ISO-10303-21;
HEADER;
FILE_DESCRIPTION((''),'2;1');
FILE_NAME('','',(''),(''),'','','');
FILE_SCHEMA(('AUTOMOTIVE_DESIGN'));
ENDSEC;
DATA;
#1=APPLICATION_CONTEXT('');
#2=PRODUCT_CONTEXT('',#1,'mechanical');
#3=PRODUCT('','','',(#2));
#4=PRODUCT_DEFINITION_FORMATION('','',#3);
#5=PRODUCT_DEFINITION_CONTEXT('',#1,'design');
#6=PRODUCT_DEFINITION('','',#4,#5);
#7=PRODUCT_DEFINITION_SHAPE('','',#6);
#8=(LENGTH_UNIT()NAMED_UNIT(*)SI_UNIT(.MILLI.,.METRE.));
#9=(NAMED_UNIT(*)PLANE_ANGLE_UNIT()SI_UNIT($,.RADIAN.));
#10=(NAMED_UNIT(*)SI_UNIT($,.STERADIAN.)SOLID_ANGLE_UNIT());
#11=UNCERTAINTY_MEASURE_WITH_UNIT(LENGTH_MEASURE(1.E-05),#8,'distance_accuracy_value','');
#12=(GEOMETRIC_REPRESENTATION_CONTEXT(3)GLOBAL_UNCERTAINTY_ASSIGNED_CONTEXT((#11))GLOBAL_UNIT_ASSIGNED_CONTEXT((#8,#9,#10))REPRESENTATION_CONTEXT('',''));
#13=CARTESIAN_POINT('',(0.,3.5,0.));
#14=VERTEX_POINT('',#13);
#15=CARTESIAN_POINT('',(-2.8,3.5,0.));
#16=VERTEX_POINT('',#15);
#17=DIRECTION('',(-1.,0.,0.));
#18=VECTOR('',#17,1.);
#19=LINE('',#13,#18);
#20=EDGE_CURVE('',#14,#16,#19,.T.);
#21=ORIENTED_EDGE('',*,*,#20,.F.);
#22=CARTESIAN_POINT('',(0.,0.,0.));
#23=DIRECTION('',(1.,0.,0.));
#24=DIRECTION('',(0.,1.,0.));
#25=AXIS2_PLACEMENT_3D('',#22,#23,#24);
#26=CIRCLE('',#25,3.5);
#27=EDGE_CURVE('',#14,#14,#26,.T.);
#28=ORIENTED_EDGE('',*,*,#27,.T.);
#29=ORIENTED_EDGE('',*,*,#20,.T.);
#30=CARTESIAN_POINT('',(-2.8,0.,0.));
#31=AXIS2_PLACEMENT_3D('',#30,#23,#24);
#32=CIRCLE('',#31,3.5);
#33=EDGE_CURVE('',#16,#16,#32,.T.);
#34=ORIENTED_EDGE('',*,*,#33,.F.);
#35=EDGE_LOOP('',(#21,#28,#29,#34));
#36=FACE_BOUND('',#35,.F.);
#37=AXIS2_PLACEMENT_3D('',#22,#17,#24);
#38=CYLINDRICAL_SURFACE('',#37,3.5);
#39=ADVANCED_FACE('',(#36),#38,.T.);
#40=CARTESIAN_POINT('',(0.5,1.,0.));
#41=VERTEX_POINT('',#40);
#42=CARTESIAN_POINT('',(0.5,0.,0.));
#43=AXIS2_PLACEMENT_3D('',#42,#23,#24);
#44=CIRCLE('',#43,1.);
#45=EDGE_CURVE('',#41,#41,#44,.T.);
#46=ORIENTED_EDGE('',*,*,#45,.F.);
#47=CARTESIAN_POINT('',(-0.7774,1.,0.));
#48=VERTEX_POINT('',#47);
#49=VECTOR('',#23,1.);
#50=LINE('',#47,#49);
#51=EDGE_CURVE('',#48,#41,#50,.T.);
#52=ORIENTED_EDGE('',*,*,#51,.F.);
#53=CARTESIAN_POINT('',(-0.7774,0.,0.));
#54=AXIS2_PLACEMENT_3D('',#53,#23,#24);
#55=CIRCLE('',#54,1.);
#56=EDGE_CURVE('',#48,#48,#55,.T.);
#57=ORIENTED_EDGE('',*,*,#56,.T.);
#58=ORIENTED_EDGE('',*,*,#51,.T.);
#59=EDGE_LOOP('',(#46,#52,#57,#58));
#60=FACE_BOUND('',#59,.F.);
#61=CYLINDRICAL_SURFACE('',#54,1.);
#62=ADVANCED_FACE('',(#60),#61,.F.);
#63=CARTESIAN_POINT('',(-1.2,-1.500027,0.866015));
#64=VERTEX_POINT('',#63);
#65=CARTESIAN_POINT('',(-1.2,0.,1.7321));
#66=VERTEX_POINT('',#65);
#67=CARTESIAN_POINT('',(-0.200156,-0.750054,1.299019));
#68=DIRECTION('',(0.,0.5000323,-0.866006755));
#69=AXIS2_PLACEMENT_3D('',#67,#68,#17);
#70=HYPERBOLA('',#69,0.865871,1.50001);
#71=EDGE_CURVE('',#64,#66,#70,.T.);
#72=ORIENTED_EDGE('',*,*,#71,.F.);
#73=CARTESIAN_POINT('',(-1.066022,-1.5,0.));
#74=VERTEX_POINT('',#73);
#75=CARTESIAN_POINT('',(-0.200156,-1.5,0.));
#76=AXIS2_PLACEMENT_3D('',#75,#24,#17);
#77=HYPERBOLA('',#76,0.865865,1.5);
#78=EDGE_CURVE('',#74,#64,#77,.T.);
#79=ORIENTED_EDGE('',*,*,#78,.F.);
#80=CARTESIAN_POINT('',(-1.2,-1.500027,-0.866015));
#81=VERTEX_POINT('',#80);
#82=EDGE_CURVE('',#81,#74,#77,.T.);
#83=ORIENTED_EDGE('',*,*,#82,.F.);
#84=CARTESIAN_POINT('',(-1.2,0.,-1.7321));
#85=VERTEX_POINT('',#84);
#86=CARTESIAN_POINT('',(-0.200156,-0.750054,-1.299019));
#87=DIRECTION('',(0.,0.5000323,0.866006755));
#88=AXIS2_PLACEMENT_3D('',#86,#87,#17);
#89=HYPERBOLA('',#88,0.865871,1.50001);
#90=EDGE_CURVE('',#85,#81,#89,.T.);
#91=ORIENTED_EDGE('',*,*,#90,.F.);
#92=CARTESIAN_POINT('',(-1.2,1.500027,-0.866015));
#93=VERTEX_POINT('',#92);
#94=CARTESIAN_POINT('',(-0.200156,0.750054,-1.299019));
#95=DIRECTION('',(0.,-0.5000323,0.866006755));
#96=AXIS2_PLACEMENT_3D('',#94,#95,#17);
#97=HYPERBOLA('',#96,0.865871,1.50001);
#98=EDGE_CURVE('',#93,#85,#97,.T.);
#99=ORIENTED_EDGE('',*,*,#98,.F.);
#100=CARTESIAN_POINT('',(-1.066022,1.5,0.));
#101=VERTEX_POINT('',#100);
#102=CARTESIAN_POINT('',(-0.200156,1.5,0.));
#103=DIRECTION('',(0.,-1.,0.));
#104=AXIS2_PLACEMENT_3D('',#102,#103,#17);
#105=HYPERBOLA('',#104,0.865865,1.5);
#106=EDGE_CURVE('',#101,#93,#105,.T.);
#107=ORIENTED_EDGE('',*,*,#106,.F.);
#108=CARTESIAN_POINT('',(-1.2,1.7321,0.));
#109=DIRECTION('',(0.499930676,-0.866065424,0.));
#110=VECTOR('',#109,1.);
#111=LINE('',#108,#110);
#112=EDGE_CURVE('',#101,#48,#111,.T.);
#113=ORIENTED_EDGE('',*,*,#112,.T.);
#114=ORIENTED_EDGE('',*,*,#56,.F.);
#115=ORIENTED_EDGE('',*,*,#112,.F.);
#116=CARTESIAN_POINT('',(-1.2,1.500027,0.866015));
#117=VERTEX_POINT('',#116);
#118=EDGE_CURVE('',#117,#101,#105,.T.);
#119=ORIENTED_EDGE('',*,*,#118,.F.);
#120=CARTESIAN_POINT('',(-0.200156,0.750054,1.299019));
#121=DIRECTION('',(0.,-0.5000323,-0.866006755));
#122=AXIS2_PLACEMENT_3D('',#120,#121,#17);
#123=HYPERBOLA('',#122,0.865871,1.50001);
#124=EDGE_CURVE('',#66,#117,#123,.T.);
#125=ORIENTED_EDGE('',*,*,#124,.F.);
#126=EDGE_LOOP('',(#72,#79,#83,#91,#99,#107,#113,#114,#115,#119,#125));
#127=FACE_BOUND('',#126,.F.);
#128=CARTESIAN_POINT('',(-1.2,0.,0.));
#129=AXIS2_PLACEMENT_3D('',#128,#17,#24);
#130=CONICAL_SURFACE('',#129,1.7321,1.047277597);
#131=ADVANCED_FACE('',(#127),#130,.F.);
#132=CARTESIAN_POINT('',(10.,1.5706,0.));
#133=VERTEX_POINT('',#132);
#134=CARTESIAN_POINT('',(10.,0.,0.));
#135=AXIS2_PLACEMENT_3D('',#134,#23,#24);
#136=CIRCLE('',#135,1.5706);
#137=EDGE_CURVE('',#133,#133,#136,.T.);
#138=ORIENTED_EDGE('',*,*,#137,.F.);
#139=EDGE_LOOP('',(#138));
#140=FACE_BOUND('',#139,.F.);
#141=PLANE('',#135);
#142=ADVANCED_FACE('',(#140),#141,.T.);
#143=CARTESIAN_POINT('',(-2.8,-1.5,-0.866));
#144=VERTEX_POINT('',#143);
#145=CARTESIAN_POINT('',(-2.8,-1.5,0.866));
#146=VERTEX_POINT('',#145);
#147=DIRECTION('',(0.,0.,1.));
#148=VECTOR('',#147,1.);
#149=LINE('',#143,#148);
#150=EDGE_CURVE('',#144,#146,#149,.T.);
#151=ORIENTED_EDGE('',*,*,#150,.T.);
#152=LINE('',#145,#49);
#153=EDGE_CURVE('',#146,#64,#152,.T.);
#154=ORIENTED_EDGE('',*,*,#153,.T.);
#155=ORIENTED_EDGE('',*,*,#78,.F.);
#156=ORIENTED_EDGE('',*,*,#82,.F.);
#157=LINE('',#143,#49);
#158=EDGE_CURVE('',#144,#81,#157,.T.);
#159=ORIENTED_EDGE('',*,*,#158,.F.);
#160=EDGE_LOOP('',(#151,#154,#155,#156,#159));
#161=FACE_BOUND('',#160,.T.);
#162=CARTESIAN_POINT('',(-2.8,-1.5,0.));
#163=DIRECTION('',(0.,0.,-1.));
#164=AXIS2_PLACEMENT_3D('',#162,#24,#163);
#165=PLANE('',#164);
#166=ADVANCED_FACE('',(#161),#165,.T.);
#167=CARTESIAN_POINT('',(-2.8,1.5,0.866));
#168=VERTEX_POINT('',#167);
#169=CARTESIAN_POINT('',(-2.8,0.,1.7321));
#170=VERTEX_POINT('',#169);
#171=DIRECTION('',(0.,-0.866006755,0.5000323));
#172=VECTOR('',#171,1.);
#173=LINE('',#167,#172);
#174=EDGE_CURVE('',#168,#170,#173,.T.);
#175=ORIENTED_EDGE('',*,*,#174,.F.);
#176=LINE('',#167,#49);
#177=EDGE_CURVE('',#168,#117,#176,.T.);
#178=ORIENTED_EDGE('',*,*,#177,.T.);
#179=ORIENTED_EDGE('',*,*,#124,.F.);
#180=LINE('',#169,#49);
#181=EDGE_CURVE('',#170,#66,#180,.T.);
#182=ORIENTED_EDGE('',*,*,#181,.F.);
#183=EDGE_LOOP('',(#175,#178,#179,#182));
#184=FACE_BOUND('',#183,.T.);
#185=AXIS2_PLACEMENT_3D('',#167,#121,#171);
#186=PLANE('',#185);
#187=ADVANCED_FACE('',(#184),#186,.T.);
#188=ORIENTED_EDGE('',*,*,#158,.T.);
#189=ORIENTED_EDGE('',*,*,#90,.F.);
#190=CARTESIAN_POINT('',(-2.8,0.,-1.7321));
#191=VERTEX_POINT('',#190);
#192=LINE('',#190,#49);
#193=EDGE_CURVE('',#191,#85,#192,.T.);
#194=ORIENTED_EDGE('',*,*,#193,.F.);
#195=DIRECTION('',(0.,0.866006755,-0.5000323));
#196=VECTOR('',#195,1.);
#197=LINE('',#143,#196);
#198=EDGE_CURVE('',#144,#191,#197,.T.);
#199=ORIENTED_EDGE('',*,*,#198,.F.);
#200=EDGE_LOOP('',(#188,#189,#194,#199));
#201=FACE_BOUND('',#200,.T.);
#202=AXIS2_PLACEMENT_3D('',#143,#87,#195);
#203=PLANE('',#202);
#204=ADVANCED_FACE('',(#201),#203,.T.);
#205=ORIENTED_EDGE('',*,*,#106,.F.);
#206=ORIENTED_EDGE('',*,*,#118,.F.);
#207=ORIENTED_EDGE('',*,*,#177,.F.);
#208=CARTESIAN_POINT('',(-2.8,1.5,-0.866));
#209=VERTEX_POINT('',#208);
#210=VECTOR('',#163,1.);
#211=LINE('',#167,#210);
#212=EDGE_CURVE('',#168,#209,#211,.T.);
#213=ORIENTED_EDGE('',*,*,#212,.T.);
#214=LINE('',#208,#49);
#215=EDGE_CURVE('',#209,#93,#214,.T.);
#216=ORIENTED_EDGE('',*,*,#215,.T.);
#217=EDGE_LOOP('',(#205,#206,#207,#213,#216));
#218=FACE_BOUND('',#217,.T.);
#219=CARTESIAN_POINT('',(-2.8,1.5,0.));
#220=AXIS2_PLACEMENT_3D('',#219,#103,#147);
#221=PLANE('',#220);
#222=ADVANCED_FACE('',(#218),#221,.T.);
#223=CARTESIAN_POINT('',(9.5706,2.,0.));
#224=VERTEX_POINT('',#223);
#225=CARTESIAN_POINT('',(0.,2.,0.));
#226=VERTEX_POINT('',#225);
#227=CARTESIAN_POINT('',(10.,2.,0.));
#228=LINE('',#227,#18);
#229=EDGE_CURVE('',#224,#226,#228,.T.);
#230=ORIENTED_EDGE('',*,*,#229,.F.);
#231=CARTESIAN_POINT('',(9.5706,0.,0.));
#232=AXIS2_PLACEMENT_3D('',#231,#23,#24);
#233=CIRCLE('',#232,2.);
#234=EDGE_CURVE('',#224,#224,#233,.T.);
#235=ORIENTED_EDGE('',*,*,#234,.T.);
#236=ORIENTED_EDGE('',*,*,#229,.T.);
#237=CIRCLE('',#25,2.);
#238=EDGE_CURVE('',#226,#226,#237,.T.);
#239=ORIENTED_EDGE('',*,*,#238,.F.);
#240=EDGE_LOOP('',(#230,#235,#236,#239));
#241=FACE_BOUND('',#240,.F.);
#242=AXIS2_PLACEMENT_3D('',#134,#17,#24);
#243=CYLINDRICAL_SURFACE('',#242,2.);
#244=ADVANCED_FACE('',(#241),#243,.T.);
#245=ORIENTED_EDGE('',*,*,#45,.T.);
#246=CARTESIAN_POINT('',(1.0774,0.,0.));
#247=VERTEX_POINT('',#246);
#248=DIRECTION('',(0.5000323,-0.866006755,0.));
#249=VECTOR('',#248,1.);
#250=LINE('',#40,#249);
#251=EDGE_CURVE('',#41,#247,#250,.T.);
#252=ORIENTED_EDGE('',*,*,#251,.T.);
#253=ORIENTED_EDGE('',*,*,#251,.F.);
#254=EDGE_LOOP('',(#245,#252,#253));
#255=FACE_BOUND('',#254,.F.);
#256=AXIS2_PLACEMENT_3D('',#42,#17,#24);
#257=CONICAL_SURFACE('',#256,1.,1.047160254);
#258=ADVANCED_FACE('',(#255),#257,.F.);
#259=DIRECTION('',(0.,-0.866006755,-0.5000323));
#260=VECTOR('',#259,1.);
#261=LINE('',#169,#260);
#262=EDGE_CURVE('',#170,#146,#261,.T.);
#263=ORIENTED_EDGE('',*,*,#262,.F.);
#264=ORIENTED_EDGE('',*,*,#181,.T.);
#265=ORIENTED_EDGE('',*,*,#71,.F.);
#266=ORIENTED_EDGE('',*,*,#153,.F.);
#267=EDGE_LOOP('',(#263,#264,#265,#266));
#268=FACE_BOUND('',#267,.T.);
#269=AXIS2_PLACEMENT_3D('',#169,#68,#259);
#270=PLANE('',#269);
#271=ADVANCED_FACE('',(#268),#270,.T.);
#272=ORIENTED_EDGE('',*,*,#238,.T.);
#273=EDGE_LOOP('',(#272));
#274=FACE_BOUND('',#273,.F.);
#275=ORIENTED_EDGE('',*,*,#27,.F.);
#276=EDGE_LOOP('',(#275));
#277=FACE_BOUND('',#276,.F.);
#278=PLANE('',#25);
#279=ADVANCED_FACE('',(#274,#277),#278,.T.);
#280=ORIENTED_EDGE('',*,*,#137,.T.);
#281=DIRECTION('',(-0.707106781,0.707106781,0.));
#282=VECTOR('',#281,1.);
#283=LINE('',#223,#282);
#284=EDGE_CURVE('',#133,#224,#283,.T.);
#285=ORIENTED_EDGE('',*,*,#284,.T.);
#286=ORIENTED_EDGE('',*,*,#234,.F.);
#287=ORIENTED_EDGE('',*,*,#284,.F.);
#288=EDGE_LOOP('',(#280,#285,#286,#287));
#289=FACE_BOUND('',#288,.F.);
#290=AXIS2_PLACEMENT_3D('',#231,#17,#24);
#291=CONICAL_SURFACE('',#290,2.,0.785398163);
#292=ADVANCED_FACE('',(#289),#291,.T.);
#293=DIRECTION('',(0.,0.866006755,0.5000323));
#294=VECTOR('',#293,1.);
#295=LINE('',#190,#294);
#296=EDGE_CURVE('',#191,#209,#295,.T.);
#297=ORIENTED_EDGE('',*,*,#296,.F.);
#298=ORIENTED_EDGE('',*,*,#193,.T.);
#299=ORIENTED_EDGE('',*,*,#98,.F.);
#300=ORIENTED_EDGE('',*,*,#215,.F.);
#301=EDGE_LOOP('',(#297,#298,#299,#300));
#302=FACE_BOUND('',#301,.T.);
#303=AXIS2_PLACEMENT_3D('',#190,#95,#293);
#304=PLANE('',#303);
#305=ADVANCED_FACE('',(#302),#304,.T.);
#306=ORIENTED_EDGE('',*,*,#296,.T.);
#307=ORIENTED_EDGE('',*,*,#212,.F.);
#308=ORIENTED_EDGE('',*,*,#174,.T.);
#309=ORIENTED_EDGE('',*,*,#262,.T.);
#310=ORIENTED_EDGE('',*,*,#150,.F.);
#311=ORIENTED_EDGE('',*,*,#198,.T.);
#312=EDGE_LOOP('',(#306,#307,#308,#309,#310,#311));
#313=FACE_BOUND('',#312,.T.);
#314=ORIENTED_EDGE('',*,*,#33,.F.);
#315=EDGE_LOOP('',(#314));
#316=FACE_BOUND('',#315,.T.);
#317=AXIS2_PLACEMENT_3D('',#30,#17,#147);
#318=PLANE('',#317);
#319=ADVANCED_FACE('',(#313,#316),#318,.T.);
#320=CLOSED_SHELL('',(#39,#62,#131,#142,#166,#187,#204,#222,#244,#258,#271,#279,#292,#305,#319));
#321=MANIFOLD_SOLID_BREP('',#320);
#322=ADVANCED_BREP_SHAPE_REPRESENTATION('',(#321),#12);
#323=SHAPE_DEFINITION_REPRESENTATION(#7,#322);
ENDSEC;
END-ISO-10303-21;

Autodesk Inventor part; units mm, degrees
ref_plane "YZ Plane" through (0, 0, 0) normal (1, 0, 0) x (0, 1, 0)
ref_plane "XZ Plane" through (0, 0, 0) normal (0, 1, 0) x (-1, 0, 0)
sketch "Sketch1" plane through (0, 0, 0) normal (0, 0, 1) x (1, 0, 0)
  line L0 (1.0774, 0) -> (10, 0)
  line L1 (10, 0) -> (10, 2)
  line L2 (10, 2) -> (0, 2)
  line L3 (0, 2) -> (0, 3.5)
  line L4 (0, 3.5) -> (-2.8, 3.5)
  line L5 (-2.8, 3.5) -> (-2.8, 1.7321)
  line L6 (-2.8, 1.7321) -> (-1.2, 1.7321)
  line L7 (-1.2, 1.7321) -> (-0.7774, 1)
  line L8 (-5.36, 0) -> (12.56, 0) projected
  line L9 (0, -0.7) -> (0, 4.2) projected
  line L10 (-0.7774, 1) -> (0.5, 1)
  line L11 (0.5, 1) -> (1.0774, 0)
  line L12 (-2.8, 1.7321) -> (-2.8, 0) construction
  dimension "d0" = 2.8
  dimension "d1" = 1.6
  dimension "d2" = 60
  dimension "d3" = 4
  dimension "d4" = 3.4641
  dimension "d5" = 7
  dimension "d15" = 3.3
  dimension "d16" = 2
  dimension "d17" = 10
revolve "Body" add sketch "Sketch1" angle 360 about axis through (1.0774, 0, 0) along (1, 0, 0) contours L11 L10 L9 L2 L1 L0 | L10 L7 L6 L5 L4 L3 L9
sketch "Sketch2" plane through (-2.8, 0, 0) normal (-1, 0, 0) x (0, 0, 1)
  circle A0 centre (0, 0) radius 1.7321 projected
  line L0 (0, -4.9) -> (0, 4.9) projected
  line L1 (-4.9, 0) -> (4.9, 0) projected
  line L2 (1.7321, 0) -> (0.866, -1.5)
  line L3 (0.866, -1.5) -> (-0.866, -1.5)
  line L4 (-0.866, -1.5) -> (-1.7321, 0)
  line L5 (-1.7321, 0) -> (-0.866, 1.5)
  line L6 (-0.866, 1.5) -> (0.866, 1.5)
  line L7 (0.866, 1.5) -> (1.7321, 0)
extrude "Slot" add sketch "Sketch2" against normal up to next contours L7 A0 | A0 L2 | L6 L0 A0 | A0 L0 L3 | L0 L6 A0 | A0 L3 L0 | L4 A0 | A0 L5
thread "Thread" size "M4x0.7" class "6g" standard "ISO Metric profile" length 8
chamfer "Chamfer1" distance 0.4294 distance2 0.4294 1 edges at (10, -2, 0) measured on face at (10, 0.556, 0.0273)
ref_plane "Work Plane1" through (5, 0, 0) normal (0, 0.5, 0.866) x (1, 0, 0)
equation "\"d7\" = GEL"
equation "\"d9\" = -0.5 * SPD + 0.5 * GD"
equation "\"d12\" = GUL"
equation "\"d0\" = KOH"
equation "\"d1\" = INTI"
equation "\"d3\" = GD"
equation "\"d4\" = 1.1547 * SW"
equation "\"d5\" = KOD"
equation "\"d15\" = INFT"
equation "\"d16\" = SDT"
equation "\"d17\" = NLG"
equation "\"GD\" = NND"
equation "\"NLG\" = 10"
equation "\"GEL\" = 8"
equation "\"KOD\" = 7"
equation "\"KOH\" = 2.8"
equation "\"GUL\" = 0.61345 * PTC"
equation "\"SW\" = 3"
equation "\"INTI\" = 1.6"
equation "\"SPD\" = NND - 1.2269 * PTC"
equation "\"SDT\" = 2"
equation "\"INFT\" = 3.3"
equation "\"TOA\" = 30deg"
equation "\"GD1\" = THREADDIA - 1.2269 * PTC"
equation "\"THREADDIA\" = 4"
equation "\"BDM\" = NND"
equation "\"RR\" = 0.4"
equation "\"PTC\" = 0.7"
equation "\"NND\" = 4"
equation "\"SLG\" = 2"
equation "\"GAL\" = 0.61345 * PTC"
equation "\"E0\" = 1.155 * SW"
properties part number "CNS 4557 - M4 x 10" material "Steel, Mild"
